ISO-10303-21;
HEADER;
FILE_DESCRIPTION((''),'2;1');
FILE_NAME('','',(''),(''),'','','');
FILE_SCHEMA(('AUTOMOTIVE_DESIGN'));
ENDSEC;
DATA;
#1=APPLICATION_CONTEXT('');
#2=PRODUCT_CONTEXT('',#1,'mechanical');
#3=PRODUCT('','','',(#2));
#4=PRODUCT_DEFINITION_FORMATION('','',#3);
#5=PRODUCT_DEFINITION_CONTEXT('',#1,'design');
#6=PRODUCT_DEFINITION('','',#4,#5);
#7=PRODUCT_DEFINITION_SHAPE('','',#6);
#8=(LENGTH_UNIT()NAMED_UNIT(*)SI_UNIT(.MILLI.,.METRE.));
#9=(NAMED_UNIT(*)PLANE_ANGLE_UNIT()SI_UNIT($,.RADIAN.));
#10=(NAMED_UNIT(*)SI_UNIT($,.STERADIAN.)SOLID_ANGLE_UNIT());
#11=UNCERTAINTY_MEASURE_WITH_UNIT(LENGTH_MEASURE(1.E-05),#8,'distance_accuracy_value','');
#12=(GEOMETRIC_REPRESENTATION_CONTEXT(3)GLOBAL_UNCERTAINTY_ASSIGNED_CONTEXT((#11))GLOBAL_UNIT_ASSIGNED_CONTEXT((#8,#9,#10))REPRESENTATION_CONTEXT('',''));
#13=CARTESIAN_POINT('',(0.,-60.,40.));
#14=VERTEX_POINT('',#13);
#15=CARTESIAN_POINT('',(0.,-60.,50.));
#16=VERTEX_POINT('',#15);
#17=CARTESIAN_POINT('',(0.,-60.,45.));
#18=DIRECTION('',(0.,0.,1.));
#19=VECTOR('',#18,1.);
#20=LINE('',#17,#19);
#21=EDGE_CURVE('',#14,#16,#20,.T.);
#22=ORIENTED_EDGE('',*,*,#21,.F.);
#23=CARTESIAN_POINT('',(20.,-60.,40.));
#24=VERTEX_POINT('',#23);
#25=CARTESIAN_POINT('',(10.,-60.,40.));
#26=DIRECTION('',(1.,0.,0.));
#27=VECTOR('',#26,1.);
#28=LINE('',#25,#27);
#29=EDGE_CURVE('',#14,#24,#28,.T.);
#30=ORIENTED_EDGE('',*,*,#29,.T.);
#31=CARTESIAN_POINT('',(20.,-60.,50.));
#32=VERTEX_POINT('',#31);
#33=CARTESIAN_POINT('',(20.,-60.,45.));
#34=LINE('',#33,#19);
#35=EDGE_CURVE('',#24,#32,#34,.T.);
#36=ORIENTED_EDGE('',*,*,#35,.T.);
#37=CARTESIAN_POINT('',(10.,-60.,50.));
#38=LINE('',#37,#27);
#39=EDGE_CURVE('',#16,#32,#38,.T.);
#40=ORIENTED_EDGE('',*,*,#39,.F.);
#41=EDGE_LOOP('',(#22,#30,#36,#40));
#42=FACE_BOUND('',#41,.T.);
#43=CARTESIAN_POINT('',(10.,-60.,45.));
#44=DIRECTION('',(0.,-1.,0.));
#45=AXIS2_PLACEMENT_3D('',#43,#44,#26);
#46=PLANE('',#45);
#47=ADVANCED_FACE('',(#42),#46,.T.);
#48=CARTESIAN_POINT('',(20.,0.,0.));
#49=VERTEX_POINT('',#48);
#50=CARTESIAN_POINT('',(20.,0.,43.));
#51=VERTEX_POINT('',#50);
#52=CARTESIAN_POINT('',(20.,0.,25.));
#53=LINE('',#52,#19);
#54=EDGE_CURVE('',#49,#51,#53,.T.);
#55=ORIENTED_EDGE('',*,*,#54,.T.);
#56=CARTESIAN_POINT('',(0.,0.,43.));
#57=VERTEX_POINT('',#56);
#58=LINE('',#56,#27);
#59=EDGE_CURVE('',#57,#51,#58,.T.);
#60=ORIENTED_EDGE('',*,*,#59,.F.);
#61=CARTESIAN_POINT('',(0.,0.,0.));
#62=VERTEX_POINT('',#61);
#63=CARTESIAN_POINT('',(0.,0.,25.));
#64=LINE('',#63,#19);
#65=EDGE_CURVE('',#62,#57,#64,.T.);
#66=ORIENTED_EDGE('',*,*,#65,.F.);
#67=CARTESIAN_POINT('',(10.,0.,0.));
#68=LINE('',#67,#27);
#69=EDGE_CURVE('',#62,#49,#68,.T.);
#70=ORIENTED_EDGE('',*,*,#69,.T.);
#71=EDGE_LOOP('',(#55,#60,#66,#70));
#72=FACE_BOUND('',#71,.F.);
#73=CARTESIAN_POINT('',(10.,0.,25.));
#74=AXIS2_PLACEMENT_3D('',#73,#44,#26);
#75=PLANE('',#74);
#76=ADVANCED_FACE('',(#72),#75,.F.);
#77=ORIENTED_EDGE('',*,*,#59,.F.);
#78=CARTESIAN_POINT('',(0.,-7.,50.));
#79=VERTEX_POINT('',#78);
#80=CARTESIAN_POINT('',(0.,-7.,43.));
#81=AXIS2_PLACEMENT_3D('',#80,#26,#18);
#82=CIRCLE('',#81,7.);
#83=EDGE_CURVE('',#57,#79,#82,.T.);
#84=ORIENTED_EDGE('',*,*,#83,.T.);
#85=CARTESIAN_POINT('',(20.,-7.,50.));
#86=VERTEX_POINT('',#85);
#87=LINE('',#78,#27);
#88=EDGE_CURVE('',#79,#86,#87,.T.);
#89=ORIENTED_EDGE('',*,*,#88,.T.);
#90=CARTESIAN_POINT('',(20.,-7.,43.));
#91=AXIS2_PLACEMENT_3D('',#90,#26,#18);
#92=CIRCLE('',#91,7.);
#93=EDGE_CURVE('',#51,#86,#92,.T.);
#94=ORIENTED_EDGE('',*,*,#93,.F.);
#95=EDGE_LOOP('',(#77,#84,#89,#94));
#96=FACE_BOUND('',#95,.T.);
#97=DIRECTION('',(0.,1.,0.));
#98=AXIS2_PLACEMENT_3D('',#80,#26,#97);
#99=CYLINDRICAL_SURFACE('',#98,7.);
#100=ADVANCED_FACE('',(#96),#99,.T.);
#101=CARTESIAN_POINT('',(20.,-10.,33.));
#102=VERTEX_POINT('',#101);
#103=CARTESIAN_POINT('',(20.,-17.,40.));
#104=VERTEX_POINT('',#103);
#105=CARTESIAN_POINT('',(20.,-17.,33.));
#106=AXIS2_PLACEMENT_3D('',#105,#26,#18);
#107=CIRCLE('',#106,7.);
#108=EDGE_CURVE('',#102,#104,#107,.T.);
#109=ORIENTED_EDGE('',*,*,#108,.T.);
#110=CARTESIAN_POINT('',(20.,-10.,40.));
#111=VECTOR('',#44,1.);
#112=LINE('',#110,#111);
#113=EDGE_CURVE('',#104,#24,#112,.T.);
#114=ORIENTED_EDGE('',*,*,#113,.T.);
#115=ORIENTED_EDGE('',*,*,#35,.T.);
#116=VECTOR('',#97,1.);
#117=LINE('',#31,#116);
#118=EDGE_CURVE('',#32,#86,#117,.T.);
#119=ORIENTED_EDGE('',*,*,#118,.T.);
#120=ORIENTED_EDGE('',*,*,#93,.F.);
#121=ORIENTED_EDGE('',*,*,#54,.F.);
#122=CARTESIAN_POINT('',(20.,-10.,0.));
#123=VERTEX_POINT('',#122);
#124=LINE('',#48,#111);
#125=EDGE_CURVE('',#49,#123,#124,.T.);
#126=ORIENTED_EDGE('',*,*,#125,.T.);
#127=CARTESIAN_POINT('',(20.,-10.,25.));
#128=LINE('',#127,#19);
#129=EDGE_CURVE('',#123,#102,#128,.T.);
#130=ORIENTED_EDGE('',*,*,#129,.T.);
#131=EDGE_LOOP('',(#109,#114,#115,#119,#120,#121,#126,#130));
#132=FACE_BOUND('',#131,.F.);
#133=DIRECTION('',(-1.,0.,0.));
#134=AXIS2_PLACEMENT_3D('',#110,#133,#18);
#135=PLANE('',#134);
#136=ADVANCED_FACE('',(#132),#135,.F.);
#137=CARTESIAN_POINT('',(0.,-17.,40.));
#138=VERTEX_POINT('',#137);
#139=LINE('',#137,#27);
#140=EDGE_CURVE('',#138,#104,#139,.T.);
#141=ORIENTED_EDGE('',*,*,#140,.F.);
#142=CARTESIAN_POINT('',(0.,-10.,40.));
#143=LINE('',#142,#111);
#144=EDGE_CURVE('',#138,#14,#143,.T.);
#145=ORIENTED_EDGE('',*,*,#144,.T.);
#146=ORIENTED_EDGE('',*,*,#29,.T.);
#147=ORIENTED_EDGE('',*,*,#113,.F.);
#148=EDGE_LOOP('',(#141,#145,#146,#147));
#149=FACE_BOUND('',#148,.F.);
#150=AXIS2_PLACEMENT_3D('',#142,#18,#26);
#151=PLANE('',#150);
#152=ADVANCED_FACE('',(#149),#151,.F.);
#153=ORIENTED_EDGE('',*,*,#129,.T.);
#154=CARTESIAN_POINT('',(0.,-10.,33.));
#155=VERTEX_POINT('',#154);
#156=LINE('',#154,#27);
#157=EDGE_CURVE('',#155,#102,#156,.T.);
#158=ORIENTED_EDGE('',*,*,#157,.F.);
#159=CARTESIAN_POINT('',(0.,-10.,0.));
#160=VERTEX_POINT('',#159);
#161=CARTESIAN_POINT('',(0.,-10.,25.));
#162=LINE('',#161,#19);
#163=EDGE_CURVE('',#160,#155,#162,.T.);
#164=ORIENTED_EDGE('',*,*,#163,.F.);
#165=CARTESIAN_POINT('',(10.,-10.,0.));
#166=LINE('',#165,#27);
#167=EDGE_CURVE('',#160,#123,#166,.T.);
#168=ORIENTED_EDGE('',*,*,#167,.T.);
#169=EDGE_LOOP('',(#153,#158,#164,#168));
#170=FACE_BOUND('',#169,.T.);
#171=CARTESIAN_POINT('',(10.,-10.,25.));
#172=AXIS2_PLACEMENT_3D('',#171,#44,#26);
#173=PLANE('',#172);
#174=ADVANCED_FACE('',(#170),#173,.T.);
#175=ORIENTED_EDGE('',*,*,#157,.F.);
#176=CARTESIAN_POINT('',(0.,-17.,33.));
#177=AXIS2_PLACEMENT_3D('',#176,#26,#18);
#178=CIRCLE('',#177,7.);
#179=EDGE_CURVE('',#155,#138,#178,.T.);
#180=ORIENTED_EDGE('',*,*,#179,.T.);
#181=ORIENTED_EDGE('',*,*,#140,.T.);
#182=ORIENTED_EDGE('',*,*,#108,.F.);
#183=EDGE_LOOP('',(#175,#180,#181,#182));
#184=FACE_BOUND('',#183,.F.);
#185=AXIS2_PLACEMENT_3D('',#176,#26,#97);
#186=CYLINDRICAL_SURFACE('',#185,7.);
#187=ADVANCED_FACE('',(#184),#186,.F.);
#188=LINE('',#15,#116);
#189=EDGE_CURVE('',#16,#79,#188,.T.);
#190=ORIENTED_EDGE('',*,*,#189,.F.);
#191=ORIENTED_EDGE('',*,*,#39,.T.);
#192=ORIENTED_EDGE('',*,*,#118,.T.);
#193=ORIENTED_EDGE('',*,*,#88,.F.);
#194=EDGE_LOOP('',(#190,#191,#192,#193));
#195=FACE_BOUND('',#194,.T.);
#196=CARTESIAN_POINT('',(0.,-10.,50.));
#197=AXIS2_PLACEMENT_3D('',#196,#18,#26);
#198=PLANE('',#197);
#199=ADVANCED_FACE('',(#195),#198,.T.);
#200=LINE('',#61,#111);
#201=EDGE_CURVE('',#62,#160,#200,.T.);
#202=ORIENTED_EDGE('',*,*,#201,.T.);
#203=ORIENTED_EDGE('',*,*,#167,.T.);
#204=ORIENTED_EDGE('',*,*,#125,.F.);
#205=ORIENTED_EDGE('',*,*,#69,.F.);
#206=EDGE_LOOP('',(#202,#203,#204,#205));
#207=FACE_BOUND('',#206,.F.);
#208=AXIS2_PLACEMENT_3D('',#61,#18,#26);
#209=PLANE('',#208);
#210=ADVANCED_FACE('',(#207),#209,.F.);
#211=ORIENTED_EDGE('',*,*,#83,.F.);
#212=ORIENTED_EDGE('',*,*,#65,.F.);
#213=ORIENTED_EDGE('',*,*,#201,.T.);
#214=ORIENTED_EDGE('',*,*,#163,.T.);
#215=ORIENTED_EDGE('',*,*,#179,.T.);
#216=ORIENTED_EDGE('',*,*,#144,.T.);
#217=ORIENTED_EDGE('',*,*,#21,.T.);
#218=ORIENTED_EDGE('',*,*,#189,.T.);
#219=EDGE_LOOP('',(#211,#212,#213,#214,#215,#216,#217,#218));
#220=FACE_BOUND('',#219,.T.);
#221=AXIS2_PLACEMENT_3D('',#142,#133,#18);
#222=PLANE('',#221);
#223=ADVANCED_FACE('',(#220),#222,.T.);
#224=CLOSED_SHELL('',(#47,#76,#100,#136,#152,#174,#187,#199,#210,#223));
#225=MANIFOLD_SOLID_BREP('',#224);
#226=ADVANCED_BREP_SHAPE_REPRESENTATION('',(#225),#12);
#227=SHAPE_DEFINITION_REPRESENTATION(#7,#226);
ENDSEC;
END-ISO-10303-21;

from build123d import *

# Parameters (mm, degrees)
F0_W     = 20
F0_H     = 50
F1_DEPTH = 10
F2_W     = 20
F2_H     = 10
F3_DEPTH = 50
F4_R     = 7


with BuildPart() as f1:
    # F0 (on Front) → F1 (new body)
    with BuildSketch(Plane.XZ):
        with Locations((10, 25)):
            Rectangle(F0_W, F0_H)
    extrude(amount=F1_DEPTH)

    # F2 (on face) → F3 (join)
    with BuildSketch(Plane.XZ.offset(10)):
        with Locations((10, 45)):
            Rectangle(F2_W, F2_H)
    extrude(amount=F3_DEPTH)

    # F4
    f4_edges = [f1.edges().sort_by_distance(p)[0] for p in [
        (10, 0, 50),
        (10, -10, 40),
    ]]
    fillet(f4_edges, radius=F4_R)


solid = f1.part
